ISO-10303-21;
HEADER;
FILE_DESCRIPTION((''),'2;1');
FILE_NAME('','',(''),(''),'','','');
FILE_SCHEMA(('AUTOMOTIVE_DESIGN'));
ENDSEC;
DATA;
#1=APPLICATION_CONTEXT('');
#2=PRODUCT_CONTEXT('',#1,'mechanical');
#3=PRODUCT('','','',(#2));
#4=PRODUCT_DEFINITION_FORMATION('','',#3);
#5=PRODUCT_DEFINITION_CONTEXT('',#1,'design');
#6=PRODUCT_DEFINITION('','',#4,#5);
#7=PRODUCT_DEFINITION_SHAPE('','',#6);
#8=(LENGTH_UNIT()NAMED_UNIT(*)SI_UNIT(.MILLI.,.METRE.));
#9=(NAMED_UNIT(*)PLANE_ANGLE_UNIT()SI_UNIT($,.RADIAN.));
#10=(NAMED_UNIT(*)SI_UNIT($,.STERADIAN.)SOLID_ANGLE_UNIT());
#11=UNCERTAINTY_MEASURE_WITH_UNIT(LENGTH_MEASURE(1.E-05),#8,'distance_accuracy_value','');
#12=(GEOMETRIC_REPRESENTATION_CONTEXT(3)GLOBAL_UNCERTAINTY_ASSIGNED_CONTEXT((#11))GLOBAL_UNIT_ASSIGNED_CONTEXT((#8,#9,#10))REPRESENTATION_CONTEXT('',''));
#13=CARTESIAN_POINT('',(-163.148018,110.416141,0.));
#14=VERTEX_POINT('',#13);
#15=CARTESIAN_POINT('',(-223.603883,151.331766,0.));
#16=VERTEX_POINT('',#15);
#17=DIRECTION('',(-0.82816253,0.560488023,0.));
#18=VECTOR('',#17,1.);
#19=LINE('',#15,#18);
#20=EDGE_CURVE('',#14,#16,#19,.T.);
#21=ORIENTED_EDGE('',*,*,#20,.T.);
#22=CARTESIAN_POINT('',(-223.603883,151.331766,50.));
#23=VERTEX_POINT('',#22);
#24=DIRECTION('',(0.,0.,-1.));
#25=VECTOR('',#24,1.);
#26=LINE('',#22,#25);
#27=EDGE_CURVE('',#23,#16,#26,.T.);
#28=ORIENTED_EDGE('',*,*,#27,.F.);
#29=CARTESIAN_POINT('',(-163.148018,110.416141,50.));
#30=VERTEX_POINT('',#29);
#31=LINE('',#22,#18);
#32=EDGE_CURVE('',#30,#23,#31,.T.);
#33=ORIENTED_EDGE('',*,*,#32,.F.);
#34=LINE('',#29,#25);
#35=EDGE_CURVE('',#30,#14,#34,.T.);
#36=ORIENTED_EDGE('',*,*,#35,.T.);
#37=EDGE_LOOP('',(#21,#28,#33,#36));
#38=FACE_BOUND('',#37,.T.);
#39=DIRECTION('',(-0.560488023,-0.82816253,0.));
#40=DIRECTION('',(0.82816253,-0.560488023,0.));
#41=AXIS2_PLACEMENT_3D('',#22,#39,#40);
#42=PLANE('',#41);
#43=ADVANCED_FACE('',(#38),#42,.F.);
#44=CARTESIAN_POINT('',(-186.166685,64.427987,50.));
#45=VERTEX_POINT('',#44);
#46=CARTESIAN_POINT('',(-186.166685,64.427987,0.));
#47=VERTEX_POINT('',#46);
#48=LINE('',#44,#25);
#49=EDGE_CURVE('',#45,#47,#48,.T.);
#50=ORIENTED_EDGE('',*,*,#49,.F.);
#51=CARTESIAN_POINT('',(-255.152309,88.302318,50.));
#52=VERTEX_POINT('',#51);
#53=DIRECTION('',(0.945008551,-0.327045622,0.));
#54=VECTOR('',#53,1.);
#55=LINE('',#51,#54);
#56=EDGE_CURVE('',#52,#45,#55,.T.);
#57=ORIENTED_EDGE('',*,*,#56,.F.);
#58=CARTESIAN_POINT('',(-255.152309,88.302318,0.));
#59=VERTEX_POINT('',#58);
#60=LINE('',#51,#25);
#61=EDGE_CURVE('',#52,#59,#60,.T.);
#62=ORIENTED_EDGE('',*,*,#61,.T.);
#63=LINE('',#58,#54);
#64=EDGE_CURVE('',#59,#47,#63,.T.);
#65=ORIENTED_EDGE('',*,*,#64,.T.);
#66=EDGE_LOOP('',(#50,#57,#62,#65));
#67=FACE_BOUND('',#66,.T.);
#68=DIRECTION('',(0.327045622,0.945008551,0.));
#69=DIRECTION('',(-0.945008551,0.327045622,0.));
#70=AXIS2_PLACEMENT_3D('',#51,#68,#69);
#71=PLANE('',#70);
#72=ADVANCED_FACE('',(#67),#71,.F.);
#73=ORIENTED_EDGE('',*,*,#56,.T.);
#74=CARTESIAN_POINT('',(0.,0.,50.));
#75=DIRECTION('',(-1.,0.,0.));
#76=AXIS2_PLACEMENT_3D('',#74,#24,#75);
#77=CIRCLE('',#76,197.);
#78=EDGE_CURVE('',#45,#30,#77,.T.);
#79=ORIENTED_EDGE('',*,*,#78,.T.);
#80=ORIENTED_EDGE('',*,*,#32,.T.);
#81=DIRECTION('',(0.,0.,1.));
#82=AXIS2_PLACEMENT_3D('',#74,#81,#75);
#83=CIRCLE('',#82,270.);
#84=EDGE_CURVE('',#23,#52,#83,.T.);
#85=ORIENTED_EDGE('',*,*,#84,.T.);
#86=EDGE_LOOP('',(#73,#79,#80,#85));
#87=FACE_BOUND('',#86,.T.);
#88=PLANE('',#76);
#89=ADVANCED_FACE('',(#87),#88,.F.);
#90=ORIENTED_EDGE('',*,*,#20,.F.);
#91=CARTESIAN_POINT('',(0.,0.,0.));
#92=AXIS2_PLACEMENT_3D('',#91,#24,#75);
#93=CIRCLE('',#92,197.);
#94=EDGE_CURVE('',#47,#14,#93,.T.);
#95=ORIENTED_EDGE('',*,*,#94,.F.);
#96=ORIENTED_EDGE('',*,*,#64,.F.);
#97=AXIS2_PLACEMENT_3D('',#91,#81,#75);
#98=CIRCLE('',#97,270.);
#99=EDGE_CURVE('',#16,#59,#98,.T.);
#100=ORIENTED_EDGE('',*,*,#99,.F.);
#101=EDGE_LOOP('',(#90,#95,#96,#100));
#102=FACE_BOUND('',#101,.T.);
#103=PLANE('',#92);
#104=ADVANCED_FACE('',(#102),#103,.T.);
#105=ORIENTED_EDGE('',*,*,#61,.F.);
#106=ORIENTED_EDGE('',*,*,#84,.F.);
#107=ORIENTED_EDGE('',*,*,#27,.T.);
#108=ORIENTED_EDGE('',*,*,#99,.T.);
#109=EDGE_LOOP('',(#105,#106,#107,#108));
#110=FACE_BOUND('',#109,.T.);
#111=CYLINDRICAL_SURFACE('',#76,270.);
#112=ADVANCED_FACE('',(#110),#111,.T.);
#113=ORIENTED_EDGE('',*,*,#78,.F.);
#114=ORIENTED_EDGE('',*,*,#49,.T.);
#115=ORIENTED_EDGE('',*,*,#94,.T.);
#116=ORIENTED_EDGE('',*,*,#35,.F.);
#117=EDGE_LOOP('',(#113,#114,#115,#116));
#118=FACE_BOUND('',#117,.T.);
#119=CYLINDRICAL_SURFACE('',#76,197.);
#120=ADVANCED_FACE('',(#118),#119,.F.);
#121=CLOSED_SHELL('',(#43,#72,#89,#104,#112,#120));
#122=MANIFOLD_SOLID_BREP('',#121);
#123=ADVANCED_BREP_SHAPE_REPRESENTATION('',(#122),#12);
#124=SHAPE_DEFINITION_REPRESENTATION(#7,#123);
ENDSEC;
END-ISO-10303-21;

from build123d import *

# Parameters (mm, degrees)
RESSALTO_EXTRUS_O1_DEPTH = 50


with BuildPart() as part:
    # Esboço1 → Ressalto-extrusão1 (new body)
    with BuildSketch(Plane.XY):
        with BuildLine():
            Line((-223.603883097, 151.331766209), (-163.148018408, 110.41614053))
            ThreePointArc((-163.148018408, 110.41614053), (-176.164462877, 88.17642553), (-186.166684544, 64.427987442))
            Line((-186.166684544, 64.427987442), (-255.152308766, 88.302317814))
            ThreePointArc((-255.152308766, 88.302317814), (-241.443680085, 120.850938544), (-223.603883097, 151.331766209))
        make_face()
    extrude(amount=RESSALTO_EXTRUS_O1_DEPTH)


solid = part.part
